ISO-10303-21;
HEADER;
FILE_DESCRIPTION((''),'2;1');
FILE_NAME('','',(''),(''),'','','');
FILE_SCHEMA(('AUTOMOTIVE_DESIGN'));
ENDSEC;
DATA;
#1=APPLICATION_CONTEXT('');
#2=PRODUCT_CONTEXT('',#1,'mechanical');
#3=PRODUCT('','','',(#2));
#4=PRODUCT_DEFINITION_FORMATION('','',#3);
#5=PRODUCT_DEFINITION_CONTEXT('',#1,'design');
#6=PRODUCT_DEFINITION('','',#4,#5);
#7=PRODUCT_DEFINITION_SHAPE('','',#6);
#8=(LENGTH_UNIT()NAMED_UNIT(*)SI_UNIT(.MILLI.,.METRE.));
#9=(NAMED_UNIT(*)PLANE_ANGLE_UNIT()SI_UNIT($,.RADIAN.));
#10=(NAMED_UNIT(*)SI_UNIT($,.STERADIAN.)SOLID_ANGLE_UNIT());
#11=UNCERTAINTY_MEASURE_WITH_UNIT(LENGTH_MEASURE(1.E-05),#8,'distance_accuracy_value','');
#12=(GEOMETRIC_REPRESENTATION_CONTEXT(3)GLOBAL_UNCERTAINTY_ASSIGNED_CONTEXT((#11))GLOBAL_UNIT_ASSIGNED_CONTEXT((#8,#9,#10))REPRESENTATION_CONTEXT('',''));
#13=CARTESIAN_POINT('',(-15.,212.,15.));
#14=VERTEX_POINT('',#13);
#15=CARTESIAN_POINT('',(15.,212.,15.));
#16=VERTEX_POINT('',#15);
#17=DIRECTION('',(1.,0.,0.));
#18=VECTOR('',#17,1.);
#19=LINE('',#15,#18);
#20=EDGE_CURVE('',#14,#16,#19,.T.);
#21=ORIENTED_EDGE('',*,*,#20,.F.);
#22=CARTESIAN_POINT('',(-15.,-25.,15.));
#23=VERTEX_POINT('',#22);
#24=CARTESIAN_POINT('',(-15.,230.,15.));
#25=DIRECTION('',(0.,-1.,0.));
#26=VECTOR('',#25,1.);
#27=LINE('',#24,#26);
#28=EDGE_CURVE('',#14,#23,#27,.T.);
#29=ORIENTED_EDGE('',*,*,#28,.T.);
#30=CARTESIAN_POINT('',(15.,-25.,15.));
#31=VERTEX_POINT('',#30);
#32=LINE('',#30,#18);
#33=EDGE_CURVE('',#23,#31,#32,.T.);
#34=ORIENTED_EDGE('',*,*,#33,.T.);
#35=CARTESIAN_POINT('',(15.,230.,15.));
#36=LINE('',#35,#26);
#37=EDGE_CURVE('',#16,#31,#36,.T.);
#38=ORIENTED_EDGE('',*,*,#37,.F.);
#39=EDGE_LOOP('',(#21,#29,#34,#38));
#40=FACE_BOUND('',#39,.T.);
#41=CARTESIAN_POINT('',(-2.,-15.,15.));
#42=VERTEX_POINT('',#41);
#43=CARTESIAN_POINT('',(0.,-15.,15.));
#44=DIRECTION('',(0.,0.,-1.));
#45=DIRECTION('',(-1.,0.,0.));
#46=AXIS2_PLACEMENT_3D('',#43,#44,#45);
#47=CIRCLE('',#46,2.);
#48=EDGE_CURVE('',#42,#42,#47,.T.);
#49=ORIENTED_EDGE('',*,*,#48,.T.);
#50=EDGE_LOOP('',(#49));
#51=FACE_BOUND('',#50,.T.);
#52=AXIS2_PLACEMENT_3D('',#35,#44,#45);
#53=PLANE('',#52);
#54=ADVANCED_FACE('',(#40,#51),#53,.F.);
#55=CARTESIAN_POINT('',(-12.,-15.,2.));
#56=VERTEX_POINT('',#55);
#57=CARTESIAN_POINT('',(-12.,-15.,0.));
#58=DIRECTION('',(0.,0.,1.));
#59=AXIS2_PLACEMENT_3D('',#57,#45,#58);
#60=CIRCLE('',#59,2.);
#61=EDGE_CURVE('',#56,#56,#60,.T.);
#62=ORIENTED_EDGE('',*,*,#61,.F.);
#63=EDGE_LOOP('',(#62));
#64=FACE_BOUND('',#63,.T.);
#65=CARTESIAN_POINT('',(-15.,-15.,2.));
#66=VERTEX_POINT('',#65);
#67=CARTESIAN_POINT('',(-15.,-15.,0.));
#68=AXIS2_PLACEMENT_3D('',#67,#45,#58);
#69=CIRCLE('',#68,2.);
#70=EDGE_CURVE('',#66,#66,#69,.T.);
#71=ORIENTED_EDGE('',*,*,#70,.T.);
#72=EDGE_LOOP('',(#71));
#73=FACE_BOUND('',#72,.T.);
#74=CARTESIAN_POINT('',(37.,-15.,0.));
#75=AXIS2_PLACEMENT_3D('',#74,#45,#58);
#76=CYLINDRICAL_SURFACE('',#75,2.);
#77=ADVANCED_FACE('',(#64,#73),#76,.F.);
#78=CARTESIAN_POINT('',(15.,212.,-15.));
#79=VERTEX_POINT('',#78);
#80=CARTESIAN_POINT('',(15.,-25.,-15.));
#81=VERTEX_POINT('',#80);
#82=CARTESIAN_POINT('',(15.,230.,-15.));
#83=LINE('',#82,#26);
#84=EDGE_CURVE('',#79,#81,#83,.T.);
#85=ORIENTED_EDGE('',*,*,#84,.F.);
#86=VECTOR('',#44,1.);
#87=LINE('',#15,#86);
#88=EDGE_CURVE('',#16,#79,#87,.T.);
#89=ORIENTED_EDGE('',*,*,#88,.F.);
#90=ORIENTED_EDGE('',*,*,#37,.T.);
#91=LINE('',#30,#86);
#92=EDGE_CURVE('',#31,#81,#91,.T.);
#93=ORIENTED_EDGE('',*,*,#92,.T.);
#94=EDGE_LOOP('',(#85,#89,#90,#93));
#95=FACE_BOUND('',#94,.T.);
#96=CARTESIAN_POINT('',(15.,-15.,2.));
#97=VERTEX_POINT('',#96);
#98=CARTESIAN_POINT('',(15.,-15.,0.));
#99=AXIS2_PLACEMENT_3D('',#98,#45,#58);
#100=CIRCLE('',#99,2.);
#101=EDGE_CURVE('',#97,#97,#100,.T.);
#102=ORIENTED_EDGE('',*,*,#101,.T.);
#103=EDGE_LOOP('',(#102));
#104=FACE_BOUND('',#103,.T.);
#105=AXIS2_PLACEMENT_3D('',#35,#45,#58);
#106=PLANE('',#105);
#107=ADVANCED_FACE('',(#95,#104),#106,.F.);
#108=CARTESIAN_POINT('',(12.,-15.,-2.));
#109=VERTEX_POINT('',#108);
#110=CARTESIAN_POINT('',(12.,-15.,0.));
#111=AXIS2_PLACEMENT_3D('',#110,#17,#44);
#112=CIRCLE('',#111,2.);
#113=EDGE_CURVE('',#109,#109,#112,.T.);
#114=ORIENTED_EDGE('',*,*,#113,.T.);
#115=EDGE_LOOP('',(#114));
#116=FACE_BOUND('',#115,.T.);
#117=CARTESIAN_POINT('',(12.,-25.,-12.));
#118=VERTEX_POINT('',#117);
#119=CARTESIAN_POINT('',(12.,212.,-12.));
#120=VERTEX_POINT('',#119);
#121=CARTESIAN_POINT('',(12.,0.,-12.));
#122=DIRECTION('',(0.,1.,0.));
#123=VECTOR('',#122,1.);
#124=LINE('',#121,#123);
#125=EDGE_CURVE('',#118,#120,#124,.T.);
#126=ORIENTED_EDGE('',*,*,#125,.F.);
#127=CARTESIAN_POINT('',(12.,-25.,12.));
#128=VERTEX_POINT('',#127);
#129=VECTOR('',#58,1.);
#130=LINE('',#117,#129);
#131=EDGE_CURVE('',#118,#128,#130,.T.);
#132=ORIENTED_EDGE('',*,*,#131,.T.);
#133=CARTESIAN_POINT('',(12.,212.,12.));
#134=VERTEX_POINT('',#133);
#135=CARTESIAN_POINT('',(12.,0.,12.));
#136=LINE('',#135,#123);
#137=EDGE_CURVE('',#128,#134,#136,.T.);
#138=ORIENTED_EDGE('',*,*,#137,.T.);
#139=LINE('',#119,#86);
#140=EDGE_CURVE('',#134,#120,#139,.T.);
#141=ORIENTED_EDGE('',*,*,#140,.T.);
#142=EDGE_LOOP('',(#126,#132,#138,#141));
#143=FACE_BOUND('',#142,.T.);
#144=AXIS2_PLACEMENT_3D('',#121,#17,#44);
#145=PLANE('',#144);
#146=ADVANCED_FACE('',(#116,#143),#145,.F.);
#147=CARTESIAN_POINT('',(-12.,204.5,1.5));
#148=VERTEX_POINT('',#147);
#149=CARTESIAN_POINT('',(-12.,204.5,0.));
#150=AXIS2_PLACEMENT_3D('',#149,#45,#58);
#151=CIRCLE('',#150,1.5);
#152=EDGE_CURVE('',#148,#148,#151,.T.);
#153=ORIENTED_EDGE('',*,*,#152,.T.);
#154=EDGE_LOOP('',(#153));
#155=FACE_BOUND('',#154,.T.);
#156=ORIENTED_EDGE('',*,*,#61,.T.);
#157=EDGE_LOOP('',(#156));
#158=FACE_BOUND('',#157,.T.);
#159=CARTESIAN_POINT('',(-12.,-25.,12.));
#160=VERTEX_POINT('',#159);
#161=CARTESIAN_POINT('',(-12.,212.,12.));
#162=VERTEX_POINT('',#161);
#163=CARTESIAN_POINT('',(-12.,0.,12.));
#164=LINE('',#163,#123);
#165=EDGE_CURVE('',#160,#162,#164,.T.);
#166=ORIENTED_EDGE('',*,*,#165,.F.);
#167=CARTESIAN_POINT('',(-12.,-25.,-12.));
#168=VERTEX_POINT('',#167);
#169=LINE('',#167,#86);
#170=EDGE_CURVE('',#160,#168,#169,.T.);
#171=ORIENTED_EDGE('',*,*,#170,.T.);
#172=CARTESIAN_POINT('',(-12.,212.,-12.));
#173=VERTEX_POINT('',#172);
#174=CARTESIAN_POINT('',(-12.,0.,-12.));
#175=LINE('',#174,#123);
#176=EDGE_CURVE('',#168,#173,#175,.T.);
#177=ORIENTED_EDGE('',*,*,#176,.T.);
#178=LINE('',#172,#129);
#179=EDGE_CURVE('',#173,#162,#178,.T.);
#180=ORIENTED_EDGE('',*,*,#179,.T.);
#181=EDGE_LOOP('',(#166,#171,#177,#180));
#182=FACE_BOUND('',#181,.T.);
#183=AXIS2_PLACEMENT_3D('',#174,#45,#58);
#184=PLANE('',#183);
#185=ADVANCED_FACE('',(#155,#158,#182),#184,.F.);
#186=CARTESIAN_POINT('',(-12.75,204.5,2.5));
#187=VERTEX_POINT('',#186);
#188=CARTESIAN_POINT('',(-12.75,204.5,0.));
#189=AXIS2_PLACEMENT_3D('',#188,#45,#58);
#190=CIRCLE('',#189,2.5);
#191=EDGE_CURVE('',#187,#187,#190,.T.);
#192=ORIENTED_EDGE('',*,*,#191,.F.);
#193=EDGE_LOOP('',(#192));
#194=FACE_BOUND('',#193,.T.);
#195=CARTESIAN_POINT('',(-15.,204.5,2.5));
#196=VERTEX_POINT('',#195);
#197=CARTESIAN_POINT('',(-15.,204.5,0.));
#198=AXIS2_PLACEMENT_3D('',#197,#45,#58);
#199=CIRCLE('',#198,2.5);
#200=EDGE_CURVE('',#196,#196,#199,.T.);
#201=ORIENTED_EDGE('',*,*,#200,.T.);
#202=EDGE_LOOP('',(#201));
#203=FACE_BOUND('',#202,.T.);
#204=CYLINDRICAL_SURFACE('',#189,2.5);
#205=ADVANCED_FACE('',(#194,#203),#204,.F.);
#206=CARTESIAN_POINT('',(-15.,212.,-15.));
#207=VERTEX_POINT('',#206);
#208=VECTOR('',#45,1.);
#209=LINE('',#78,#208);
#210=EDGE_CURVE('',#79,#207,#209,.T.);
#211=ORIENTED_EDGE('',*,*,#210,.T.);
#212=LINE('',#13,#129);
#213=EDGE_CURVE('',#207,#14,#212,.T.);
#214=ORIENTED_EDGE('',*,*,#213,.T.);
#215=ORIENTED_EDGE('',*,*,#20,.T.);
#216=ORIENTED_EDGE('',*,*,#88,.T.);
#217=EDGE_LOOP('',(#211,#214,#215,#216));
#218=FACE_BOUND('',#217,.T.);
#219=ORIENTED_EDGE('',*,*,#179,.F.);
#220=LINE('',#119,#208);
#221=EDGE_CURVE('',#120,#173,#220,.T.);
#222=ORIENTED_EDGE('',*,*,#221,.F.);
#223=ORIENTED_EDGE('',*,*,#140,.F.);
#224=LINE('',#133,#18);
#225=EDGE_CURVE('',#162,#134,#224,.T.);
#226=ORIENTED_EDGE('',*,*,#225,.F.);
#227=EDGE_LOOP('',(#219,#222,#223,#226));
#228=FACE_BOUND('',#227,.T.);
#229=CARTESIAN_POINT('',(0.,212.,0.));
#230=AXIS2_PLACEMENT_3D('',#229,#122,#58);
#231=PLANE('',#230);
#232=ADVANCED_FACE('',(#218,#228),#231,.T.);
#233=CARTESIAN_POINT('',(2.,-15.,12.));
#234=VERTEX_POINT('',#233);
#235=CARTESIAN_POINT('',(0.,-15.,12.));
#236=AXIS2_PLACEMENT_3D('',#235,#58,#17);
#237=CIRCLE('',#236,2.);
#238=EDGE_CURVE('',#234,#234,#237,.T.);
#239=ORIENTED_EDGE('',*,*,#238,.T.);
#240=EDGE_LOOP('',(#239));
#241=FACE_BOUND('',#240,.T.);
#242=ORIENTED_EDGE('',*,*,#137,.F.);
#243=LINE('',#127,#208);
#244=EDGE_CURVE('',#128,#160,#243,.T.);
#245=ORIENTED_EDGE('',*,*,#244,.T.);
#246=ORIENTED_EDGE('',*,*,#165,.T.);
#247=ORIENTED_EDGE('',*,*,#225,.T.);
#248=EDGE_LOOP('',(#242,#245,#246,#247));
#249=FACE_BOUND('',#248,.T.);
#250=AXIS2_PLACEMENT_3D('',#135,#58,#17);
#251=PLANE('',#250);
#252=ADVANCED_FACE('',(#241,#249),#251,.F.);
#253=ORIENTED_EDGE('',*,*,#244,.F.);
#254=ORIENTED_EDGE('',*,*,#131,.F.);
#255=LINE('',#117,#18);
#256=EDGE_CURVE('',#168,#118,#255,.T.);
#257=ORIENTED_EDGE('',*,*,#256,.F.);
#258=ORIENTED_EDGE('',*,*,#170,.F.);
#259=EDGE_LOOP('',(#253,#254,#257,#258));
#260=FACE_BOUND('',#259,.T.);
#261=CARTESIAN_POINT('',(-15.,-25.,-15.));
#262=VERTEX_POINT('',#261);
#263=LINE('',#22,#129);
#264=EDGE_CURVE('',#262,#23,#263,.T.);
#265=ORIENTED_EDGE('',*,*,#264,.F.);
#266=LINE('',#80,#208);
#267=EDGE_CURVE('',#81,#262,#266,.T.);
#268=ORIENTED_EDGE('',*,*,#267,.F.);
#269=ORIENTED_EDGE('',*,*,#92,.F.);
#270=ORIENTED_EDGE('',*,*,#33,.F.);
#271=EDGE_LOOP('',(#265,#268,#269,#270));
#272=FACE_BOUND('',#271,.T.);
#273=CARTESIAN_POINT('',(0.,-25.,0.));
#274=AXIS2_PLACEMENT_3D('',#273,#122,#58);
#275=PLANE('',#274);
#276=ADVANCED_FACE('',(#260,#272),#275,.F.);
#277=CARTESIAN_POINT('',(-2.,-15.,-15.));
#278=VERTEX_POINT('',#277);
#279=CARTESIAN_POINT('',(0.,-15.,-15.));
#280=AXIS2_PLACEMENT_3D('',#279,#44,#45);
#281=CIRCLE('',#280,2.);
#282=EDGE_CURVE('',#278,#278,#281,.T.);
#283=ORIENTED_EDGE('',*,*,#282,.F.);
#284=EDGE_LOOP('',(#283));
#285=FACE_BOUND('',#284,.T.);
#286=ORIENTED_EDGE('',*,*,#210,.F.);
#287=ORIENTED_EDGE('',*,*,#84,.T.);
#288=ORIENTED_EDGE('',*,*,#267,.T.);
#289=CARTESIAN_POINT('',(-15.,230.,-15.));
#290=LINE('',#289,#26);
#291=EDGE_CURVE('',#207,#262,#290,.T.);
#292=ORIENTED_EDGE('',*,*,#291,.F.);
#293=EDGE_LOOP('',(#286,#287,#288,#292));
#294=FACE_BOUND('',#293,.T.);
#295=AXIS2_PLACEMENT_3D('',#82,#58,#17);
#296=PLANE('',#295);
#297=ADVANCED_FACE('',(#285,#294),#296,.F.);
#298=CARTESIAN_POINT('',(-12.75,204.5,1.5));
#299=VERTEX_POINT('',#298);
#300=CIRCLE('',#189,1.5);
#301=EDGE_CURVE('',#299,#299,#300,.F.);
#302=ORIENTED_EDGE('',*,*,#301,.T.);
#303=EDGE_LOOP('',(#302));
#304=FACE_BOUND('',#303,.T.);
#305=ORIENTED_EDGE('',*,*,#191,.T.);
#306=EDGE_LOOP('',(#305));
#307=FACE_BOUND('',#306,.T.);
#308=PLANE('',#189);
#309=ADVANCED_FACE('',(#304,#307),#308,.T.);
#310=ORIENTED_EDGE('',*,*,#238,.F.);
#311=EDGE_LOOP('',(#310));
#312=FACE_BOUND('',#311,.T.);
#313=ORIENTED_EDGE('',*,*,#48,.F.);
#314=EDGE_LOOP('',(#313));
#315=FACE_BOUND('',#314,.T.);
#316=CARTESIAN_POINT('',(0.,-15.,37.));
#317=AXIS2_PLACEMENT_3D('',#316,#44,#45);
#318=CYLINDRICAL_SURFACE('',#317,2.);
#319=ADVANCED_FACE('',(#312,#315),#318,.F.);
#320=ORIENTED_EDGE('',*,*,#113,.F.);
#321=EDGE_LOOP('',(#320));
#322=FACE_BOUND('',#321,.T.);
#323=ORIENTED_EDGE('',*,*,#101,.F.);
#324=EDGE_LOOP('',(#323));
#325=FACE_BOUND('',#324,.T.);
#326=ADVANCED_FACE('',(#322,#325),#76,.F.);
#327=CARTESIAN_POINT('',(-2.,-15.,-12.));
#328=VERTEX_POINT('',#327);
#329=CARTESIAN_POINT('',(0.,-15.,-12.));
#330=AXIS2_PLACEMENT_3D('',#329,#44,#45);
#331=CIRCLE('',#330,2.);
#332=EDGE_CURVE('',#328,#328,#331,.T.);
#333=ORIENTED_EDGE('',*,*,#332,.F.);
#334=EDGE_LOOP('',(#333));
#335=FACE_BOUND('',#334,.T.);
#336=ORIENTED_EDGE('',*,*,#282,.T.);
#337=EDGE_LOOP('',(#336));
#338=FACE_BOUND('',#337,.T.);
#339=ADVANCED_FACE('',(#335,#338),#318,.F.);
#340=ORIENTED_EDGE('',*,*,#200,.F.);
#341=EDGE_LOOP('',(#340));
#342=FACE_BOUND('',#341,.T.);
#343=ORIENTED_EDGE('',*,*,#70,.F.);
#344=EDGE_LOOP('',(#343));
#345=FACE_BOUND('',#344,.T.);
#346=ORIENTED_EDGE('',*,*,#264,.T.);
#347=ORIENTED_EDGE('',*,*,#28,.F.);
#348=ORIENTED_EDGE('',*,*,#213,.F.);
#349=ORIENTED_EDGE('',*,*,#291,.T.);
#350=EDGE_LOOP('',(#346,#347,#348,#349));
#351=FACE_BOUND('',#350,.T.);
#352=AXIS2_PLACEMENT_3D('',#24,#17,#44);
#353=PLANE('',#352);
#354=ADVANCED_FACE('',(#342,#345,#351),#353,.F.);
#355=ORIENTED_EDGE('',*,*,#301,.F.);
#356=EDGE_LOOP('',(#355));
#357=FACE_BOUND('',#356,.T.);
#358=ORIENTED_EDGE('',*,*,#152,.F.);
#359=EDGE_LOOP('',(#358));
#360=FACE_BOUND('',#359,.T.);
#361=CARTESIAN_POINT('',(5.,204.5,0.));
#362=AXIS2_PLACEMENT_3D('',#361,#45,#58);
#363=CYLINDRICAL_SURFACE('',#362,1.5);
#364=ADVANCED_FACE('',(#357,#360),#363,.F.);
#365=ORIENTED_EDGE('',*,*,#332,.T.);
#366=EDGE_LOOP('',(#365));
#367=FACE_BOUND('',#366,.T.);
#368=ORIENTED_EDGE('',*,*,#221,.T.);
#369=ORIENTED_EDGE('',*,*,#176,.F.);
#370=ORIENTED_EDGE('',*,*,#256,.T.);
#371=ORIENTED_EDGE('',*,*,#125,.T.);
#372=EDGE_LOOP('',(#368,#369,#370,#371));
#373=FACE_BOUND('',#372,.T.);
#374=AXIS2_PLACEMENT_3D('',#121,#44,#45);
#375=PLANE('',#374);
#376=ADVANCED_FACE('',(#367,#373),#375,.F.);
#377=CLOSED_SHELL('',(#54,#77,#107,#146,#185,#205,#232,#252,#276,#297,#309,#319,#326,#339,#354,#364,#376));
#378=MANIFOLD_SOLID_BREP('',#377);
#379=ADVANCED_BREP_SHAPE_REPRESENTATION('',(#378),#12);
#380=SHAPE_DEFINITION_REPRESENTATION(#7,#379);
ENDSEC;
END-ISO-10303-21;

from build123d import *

# Parameters (mm, degrees)
CROQUIS1_W               = 30
CROQUIS1_H               = 30
CROQUIS1_W_2             = 26
CROQUIS1_H_2             = 26
SALIENTE_EXTRUIR3_DEPTH  = 230
CROQUIS2_W               = 62.135011277
CROQUIS2_H               = 81.929382736
CORTAR_EXTRUIR3_DEPTH    = 28
CROQUIS3_R               = 2
CORTAR_EXTRUIR9_DEPTH    = 15
CROQUIS4_R               = 2
CORTAR_EXTRUIR10_DEPTH   = 15
CROQUIS5_W               = 30
CROQUIS5_H               = 30
CROQUIS5_W_2             = 26
CROQUIS5_H_2             = 26
SALIENTE_EXTRUIR6_DEPTH  = 12
CROQUIS7_W               = 18.119956634
CROQUIS7_H               = 38.019551867
SALIENTE_EXTRUIR7_DEPTH  = 2
CROQUIS8_W               = 19.256572939
CROQUIS8_H               = 35.130037486
SALIENTE_EXTRUIR8_DEPTH  = 2
CROQUIS9_R               = 2
CORTAR_EXTRUIR11_DEPTH   = 2
CROQUIS10_R              = 2
CORTAR_EXTRUIR12_DEPTH   = 2
CROQUIS11_W              = 68.798737931
CROQUIS11_H              = 42.92716572
CORTAR_EXTRUIR14_DEPTH   = 2
CROQUIS12_R              = 2
SALIENTE_EXTRUIR9_DEPTH  = 2
CROQUIS13_R              = 2
SALIENTE_EXTRUIR10_DEPTH = 2
CROQUIS14_R              = 1.5
CORTAR_EXTRUIR18_DEPTH   = 20
CROQUIS16_W              = 26
CROQUIS16_H              = 26
CROQUIS16_W_2            = 24
CROQUIS16_H_2            = 24
SALIENTE_EXTRUIR11_DEPTH = 212
CROQUIS17_R              = 1.5
CORTAR_EXTRUIR20_DEPTH   = 6
CROQUIS18_R              = 2.5
CORTAR_EXTRUIR21_DEPTH   = 2.25
CROQUIS19_W              = 30
CROQUIS19_H              = 30
CROQUIS19_W_2            = 24
CROQUIS19_H_2            = 24
SALIENTE_EXTRUIR12_DEPTH = 30
CROQUIS20_R              = 2
SALIENTE_EXTRUIR13_DEPTH = 2
CROQUIS21_R              = 2
SALIENTE_EXTRUIR14_DEPTH = 2
CROQUIS22_R              = 2
CORTAR_EXTRUIR22_DEPTH   = 52
CROQUIS23_R              = 2
CORTAR_EXTRUIR23_DEPTH   = 52
CROQUIS24_W              = 34.498036884
CROQUIS24_H              = 39.991384426
CORTAR_EXTRUIR24_DEPTH   = 5


with BuildPart() as part:
    # Croquis1 → Saliente-Extruir3 (new body)
    with BuildSketch(Plane(origin=(0, 0, 0), x_dir=(1, 0, 0), z_dir=(0, 1, 0))):
        Rectangle(CROQUIS1_W, CROQUIS1_H)
        Rectangle(CROQUIS1_W_2, CROQUIS1_H_2, mode=Mode.SUBTRACT)
    extrude(amount=SALIENTE_EXTRUIR3_DEPTH)

    # Croquis2 → Cortar-Extruir3 (cut)
    with BuildSketch(Plane(origin=(0, 230, 0), x_dir=(1, 0, 0), z_dir=(0, 1, 0))):
        with Locations((9.148629236, 2.703749702)):
            Rectangle(CROQUIS2_W, CROQUIS2_H)
    extrude(amount=-CORTAR_EXTRUIR3_DEPTH, mode=Mode.SUBTRACT)

    # Croquis3 → Cortar-Extruir9 (cut)
    with BuildSketch(Plane.XY.offset(15)):
        with Locations((3, 169)):
            Circle(CROQUIS3_R)
        with Locations((-3, 191)):
            Circle(CROQUIS3_R)
        with Locations((-3, 33)):
            Circle(CROQUIS3_R)
        with Locations((3, 11)):
            Circle(CROQUIS3_R)
    extrude(amount=-CORTAR_EXTRUIR9_DEPTH, mode=Mode.SUBTRACT)

    # Croquis4 → Cortar-Extruir10 (cut)
    with BuildSketch(Plane(origin=(0, 0, -15), x_dir=(-1, 0, 0), z_dir=(0, 0, -1))):
        with Locations((-3, 191)):
            Circle(CROQUIS4_R)
        with Locations((3, 169)):
            Circle(CROQUIS4_R)
        with Locations((3, 11)):
            Circle(CROQUIS4_R)
        with Locations((-3, 33)):
            Circle(CROQUIS4_R)
    extrude(amount=-CORTAR_EXTRUIR10_DEPTH, mode=Mode.SUBTRACT)

    # Croquis5 → Saliente-Extruir6 (add)
    with BuildSketch(Plane(origin=(0, 202, 0), x_dir=(1, 0, 0), z_dir=(0, 1, 0))):
        Rectangle(CROQUIS5_W, CROQUIS5_H)
        Rectangle(CROQUIS5_W_2, CROQUIS5_H_2, mode=Mode.SUBTRACT)
    extrude(amount=SALIENTE_EXTRUIR6_DEPTH)

    # Croquis7 → Saliente-Extruir7 (add)
    with BuildSketch(Plane.XY.offset(15)):
        with Locations((-0.954536797, 182.456683749)):
            Rectangle(CROQUIS7_W, CROQUIS7_H)
    extrude(amount=-SALIENTE_EXTRUIR7_DEPTH)

    # Croquis8 → Saliente-Extruir8 (add)
    with BuildSketch(Plane(origin=(0, 0, -15), x_dir=(-1, 0, 0), z_dir=(0, 0, -1))):
        with Locations((1.596533726, 178.910609938)):
            Rectangle(CROQUIS8_W, CROQUIS8_H)
    extrude(amount=-SALIENTE_EXTRUIR8_DEPTH)

    # Croquis9 → Cortar-Extruir11 (cut)
    with BuildSketch(Plane.XY.offset(15)):
        with Locations((-3, 203)):
            Circle(CROQUIS9_R)
        with Locations((3, 181)):
            Circle(CROQUIS9_R)
    extrude(amount=-CORTAR_EXTRUIR11_DEPTH, mode=Mode.SUBTRACT)

    # Croquis10 → Cortar-Extruir12 (cut)
    with BuildSketch(Plane(origin=(0, 0, -15), x_dir=(-1, 0, 0), z_dir=(0, 0, -1))):
        with Locations((-3, 203)):
            Circle(CROQUIS10_R)
        with Locations((3, 181)):
            Circle(CROQUIS10_R)
    extrude(amount=-CORTAR_EXTRUIR12_DEPTH, mode=Mode.SUBTRACT)

    # Croquis11 → Cortar-Extruir14 (cut)
    with BuildSketch(Plane(origin=(0, 214, 0), x_dir=(1, 0, 0), z_dir=(0, 1, 0))):
        with Locations((-6.144488578, -0.254830212)):
            Rectangle(CROQUIS11_W, CROQUIS11_H)
    extrude(amount=-CORTAR_EXTRUIR14_DEPTH, mode=Mode.SUBTRACT)

    # Croquis12 → Saliente-Extruir9 (add)
    with BuildSketch(Plane(origin=(0, 0, -15), x_dir=(-1, 0, 0), z_dir=(0, 0, -1))):
        with Locations((3, 181)):
            Circle(CROQUIS12_R)
        with Locations((-3, 203)):
            Circle(CROQUIS12_R)
    extrude(amount=-SALIENTE_EXTRUIR9_DEPTH)

    # Croquis13 → Saliente-Extruir10 (add)
    with BuildSketch(Plane.XY.offset(15)):
        with Locations((-3, 203)):
            Circle(CROQUIS13_R)
        with Locations((3, 181)):
            Circle(CROQUIS13_R)
    extrude(amount=-SALIENTE_EXTRUIR10_DEPTH)

    # Croquis14 → Cortar-Extruir18 (cut)
    with BuildSketch(Plane.ZY.offset(15)):
        with Locations((0, 204.5)):
            Circle(CROQUIS14_R)
    extrude(amount=-CORTAR_EXTRUIR18_DEPTH, mode=Mode.SUBTRACT)

    # Croquis16 → Saliente-Extruir11 (add)
    with BuildSketch(Plane(origin=(0, 212, 0), x_dir=(1, 0, 0), z_dir=(0, 1, 0))):
        Rectangle(CROQUIS16_W, CROQUIS16_H)
        Rectangle(CROQUIS16_W_2, CROQUIS16_H_2, mode=Mode.SUBTRACT)
    extrude(amount=-SALIENTE_EXTRUIR11_DEPTH)

    # Croquis17 → Cortar-Extruir20 (cut)
    with BuildSketch(Plane.ZY.offset(13)):
        with Locations((0, 204.5)):
            Circle(CROQUIS17_R)
    extrude(amount=-CORTAR_EXTRUIR20_DEPTH, mode=Mode.SUBTRACT)

    # Croquis18 → Cortar-Extruir21 (cut)
    with BuildSketch(Plane.ZY.offset(15)):
        with Locations((0, 204.5)):
            Circle(CROQUIS18_R)
    extrude(amount=-CORTAR_EXTRUIR21_DEPTH, mode=Mode.SUBTRACT)

    # Croquis19 → Saliente-Extruir12 (add)
    with BuildSketch(Plane.XZ):
        Rectangle(CROQUIS19_W, CROQUIS19_H)
        Rectangle(CROQUIS19_W_2, CROQUIS19_H_2, mode=Mode.SUBTRACT)
    extrude(amount=SALIENTE_EXTRUIR12_DEPTH)

    # Croquis20 → Saliente-Extruir13 (add)
    with BuildSketch(Plane.XY.offset(15)):
        with Locations((3, 11)):
            Circle(CROQUIS20_R)
        with Locations((-3, 33)):
            Circle(CROQUIS20_R)
    extrude(amount=-SALIENTE_EXTRUIR13_DEPTH)

    # Croquis21 → Saliente-Extruir14 (add)
    with BuildSketch(Plane(origin=(0, 0, -15), x_dir=(-1, 0, 0), z_dir=(0, 0, -1))):
        with Locations((3, 11)):
            Circle(CROQUIS21_R)
        with Locations((-3, 33)):
            Circle(CROQUIS21_R)
    extrude(amount=-SALIENTE_EXTRUIR14_DEPTH)

    # Croquis22 → Cortar-Extruir22 (cut)
    with BuildSketch(Plane.ZY.offset(15)):
        with Locations((0, -15)):
            Circle(CROQUIS22_R)
    extrude(amount=-CORTAR_EXTRUIR22_DEPTH, mode=Mode.SUBTRACT)

    # Croquis23 → Cortar-Extruir23 (cut)
    with BuildSketch(Plane(origin=(0, 0, -15), x_dir=(-1, 0, 0), z_dir=(0, 0, -1))):
        with Locations((0, -15)):
            Circle(CROQUIS23_R)
    extrude(amount=-CORTAR_EXTRUIR23_DEPTH, mode=Mode.SUBTRACT)

    # Croquis24 → Cortar-Extruir24 (cut)
    with BuildSketch(Plane(origin=(0, -30, 0), x_dir=(-1, 0, 0), z_dir=(0, -1, 0))):
        with Locations((0.940748802, -0.242239461)):
            Rectangle(CROQUIS24_W, CROQUIS24_H)
    extrude(amount=-CORTAR_EXTRUIR24_DEPTH, mode=Mode.SUBTRACT)


solid = part.part
